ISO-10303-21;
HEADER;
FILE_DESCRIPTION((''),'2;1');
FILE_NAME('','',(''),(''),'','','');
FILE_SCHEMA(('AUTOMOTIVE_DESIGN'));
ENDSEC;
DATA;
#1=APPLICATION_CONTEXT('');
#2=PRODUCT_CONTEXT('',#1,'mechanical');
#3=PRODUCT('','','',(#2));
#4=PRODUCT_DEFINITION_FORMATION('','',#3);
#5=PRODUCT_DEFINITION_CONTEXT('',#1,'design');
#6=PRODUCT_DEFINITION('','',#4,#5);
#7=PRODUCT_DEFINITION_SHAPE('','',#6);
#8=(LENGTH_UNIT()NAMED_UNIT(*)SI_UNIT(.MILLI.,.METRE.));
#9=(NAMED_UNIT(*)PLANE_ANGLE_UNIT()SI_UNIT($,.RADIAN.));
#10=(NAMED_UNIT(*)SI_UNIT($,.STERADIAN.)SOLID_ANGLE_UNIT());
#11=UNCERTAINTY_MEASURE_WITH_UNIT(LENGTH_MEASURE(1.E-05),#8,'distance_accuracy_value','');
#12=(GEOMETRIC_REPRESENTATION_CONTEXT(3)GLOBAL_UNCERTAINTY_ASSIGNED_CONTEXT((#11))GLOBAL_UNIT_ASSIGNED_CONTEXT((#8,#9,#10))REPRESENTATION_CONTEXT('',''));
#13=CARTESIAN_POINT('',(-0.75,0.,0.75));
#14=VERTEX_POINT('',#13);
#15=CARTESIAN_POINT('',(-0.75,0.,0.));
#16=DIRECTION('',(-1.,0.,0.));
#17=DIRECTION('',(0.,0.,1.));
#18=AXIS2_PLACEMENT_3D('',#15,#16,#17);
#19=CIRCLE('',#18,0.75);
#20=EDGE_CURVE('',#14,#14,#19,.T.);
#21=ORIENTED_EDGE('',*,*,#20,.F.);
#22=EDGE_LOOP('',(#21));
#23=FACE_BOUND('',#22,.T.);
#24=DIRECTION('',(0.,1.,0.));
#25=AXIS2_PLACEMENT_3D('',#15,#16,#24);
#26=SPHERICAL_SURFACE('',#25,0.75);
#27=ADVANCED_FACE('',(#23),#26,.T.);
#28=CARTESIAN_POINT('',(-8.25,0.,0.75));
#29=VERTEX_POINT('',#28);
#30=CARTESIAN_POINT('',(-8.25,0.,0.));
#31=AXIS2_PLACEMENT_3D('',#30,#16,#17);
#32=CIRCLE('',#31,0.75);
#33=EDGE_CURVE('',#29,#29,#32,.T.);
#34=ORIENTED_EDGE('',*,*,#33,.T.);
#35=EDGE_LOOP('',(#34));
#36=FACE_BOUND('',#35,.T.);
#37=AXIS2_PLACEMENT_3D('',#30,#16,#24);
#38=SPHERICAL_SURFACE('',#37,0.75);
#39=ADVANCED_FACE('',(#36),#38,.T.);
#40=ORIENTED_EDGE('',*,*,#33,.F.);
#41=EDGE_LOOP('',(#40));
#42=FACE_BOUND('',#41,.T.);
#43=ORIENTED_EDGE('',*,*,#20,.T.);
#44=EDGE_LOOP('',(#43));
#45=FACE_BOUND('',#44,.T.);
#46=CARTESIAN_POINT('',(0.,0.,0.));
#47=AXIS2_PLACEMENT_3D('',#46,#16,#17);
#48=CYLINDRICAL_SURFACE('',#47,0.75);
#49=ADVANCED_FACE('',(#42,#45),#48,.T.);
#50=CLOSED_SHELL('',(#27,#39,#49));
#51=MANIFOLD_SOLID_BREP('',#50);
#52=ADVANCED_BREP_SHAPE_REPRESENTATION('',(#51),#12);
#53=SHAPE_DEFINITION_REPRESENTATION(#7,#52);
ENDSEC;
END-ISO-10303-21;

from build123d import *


with BuildPart() as part:
    # Sketch1 → Revolve1 (revolve)
    with BuildSketch(Plane.XY):
        with BuildLine():
            Line((-0.75, 0.75), (-8.25, 0.75))
            ThreePointArc((-8.25, 0.75), (-8.780330086, 0.530330086), (-9, 0))
            Line((-9, 0), (0, 0))
            ThreePointArc((0, 0), (-0.219669914, 0.530330086), (-0.75, 0.75))
        make_face()
    revolve(axis=Axis((0, 0, 0), (1, 0, 0)))


solid = part.part
